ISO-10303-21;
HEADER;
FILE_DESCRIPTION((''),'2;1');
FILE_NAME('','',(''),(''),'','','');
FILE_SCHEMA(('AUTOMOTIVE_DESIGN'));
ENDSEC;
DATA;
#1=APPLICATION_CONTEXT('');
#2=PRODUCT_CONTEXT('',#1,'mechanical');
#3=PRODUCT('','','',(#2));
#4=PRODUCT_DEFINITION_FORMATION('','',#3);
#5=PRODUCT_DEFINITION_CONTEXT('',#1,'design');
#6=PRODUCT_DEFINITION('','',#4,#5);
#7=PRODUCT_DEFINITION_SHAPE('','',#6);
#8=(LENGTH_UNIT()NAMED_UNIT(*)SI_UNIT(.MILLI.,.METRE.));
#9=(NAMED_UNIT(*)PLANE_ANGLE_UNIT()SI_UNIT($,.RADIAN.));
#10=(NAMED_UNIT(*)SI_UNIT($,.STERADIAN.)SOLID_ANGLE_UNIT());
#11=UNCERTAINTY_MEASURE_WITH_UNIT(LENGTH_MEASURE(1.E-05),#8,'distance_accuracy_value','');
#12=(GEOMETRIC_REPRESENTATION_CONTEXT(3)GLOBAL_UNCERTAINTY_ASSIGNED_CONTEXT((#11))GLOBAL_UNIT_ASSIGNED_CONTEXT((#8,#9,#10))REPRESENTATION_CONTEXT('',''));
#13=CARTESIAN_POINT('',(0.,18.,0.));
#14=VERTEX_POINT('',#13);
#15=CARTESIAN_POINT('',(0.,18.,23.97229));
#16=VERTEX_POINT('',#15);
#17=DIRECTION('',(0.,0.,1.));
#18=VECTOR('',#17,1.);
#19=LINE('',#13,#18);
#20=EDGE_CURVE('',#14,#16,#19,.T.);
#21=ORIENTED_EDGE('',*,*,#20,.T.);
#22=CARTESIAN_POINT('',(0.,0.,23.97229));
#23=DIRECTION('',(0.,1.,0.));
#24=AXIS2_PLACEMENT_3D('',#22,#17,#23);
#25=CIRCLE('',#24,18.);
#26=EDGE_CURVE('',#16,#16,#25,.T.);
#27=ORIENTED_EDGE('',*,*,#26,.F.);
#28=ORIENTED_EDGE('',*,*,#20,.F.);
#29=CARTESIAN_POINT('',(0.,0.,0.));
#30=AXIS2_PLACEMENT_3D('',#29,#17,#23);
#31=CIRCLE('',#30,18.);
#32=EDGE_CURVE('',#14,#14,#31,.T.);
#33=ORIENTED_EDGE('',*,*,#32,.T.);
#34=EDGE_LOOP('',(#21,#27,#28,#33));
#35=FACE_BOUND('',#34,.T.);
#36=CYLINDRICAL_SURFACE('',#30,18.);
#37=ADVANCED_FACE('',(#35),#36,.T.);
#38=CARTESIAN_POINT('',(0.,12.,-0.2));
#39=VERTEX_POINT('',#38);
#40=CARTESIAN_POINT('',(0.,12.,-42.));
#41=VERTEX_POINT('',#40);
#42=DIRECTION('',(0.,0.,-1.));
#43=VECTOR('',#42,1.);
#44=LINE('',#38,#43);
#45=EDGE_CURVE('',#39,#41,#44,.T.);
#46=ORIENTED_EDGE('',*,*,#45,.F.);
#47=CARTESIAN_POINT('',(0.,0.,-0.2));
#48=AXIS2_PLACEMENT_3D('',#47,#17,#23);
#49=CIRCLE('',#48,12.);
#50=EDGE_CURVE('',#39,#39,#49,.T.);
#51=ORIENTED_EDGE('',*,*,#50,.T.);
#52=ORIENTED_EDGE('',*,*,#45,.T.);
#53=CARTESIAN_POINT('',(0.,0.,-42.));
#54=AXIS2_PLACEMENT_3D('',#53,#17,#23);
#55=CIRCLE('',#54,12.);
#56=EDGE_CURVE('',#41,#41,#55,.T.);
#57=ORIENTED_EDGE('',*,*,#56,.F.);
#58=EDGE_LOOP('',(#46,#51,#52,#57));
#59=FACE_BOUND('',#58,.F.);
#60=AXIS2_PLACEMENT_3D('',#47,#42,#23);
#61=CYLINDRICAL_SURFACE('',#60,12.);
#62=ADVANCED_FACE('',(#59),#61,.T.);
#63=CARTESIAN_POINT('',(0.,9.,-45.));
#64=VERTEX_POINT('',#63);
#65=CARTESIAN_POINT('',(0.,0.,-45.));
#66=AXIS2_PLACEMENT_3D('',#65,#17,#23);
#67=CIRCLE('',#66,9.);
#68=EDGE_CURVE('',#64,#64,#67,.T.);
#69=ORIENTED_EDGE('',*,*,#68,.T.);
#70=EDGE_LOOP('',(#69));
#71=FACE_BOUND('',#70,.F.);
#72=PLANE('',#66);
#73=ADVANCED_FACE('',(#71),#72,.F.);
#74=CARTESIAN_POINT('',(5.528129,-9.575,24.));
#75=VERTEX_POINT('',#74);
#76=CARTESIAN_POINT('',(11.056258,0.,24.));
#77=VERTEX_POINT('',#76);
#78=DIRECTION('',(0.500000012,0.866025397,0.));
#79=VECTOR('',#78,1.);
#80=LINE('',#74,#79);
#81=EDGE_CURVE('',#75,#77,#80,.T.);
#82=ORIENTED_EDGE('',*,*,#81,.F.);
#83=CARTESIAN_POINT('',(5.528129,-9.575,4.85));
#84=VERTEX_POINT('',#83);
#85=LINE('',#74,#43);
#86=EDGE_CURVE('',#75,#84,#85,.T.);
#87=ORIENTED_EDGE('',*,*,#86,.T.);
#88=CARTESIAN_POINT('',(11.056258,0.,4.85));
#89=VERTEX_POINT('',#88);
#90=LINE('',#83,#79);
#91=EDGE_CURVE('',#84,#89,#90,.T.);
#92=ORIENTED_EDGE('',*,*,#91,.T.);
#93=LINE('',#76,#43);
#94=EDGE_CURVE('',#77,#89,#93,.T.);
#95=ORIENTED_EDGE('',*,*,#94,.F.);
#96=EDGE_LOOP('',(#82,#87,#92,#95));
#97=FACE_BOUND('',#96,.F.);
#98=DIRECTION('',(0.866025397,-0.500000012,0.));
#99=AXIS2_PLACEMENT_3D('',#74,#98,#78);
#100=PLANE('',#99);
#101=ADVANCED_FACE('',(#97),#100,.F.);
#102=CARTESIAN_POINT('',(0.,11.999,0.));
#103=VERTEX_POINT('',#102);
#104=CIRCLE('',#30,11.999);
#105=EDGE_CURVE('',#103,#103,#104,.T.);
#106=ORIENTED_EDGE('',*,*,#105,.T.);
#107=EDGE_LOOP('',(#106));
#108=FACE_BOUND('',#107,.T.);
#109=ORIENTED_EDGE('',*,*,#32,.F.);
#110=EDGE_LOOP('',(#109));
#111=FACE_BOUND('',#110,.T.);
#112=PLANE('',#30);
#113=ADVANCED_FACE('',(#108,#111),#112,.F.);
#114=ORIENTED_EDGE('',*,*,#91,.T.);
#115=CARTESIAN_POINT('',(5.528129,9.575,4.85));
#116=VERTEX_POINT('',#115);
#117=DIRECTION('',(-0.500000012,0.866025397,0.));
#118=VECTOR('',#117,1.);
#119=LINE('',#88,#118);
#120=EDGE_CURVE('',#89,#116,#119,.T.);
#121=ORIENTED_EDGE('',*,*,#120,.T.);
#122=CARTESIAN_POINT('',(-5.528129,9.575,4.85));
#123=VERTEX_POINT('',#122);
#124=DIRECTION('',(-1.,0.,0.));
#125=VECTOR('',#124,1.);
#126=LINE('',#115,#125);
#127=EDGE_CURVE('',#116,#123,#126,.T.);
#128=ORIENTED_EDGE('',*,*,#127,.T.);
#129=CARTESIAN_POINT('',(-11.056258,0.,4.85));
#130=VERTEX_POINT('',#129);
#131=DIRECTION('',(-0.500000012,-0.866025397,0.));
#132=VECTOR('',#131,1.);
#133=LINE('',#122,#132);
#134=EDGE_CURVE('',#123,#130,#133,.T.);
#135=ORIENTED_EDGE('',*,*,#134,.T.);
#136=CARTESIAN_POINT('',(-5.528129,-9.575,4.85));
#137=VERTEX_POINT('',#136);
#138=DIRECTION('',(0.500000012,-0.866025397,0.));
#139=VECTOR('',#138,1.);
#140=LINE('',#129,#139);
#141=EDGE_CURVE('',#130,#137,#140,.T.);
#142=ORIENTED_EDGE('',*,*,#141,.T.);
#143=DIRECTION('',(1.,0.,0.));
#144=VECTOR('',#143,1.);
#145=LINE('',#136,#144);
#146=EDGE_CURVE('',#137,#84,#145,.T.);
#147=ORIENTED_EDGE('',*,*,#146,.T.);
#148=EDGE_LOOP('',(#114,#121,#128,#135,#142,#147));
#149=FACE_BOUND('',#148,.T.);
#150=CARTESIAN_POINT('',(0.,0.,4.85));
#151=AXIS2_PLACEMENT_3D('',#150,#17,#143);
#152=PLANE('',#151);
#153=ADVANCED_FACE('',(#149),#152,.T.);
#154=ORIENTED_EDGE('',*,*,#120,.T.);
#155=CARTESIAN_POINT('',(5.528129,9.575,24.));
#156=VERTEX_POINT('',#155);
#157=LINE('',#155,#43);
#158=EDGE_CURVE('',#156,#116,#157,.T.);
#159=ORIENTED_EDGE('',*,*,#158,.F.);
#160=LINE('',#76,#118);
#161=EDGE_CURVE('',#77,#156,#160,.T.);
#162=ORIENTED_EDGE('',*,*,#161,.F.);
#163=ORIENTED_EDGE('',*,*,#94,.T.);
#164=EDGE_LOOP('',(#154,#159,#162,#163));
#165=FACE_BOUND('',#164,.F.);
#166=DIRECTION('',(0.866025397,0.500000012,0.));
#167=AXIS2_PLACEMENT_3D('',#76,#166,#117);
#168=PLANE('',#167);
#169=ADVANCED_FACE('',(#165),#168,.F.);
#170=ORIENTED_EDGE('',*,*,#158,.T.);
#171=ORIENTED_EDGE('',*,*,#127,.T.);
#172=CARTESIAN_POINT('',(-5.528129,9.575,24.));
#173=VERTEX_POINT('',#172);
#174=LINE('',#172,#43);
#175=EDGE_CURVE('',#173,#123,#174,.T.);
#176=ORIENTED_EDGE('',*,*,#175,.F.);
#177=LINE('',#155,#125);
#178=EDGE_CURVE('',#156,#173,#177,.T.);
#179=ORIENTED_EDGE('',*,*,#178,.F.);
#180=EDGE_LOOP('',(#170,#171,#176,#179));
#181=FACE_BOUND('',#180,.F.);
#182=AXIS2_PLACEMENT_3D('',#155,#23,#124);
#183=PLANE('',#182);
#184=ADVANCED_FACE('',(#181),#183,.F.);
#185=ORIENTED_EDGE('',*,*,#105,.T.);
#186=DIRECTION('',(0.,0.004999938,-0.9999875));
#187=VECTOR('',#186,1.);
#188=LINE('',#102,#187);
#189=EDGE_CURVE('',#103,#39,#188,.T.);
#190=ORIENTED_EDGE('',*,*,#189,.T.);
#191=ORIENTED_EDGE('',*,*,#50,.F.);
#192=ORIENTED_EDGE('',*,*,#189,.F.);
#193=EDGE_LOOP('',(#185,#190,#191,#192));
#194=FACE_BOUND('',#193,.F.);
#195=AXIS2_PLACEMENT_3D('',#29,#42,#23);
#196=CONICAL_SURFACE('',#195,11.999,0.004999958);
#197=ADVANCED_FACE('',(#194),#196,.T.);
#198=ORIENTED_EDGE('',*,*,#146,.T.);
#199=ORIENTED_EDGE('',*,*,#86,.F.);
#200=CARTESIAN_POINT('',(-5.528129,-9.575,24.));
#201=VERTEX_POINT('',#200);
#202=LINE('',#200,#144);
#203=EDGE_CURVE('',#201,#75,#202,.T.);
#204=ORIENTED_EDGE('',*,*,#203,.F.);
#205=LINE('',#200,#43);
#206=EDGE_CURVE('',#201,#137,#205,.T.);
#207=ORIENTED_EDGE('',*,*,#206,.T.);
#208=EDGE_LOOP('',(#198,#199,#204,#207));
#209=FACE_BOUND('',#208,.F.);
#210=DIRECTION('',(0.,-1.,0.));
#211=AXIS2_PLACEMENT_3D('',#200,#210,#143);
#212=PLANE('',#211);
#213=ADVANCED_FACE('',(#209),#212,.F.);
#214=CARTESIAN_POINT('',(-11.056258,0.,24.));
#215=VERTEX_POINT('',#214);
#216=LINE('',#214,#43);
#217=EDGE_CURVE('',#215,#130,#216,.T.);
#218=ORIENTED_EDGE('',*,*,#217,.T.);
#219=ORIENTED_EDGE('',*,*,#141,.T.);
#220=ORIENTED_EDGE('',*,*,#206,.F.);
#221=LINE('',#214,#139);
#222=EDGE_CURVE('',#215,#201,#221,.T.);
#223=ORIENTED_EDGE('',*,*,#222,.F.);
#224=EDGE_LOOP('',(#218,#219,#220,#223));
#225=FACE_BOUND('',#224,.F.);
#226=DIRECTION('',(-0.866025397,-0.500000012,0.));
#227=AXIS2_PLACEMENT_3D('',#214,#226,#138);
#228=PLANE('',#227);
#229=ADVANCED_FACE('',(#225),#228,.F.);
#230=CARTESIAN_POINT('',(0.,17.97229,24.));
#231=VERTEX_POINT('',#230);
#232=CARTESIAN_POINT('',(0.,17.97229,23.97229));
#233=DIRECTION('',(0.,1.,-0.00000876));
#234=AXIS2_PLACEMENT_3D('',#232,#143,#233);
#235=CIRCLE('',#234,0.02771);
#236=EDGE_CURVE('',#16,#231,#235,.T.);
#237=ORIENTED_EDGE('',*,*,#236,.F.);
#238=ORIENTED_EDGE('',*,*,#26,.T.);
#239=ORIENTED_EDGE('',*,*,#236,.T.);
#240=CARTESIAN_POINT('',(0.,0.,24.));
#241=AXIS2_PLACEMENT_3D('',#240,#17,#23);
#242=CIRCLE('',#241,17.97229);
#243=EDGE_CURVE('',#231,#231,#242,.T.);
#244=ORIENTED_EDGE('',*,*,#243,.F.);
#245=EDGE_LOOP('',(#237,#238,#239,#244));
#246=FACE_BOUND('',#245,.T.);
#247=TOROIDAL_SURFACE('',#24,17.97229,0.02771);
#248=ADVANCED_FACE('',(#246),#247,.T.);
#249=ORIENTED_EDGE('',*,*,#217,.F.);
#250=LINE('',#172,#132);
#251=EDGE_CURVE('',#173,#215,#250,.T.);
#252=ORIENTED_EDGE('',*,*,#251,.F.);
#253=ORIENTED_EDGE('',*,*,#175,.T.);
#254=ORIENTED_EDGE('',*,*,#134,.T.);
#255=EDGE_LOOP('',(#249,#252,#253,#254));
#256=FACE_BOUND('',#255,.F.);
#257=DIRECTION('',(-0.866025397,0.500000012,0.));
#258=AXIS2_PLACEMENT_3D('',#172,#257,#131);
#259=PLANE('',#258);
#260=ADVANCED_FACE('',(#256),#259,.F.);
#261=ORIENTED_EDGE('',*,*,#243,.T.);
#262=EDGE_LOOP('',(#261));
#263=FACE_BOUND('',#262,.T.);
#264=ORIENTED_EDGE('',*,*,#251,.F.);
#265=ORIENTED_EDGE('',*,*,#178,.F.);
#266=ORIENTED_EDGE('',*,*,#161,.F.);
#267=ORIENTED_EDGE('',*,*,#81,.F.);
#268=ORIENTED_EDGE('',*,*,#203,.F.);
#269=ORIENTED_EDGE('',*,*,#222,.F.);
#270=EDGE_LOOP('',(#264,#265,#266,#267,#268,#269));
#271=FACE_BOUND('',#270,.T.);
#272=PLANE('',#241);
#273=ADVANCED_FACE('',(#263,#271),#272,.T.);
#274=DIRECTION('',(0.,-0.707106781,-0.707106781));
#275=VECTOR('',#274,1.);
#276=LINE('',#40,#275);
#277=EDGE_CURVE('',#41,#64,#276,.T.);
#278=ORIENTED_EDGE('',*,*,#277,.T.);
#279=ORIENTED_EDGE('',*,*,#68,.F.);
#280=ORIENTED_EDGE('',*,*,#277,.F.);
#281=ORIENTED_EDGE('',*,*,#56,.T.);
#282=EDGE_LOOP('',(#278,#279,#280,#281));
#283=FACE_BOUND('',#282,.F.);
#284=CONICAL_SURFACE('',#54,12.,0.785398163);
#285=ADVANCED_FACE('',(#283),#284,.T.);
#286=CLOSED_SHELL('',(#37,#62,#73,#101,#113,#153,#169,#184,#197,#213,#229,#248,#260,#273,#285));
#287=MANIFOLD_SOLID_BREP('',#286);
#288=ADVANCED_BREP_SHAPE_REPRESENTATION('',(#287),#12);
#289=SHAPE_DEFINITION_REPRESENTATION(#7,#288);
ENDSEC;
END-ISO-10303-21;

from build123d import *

# Parameters (mm, degrees)
POCKET_DEPTH = 19.15


with BuildPart() as part:
    # Sketch → Revolve (revolve)
    with BuildSketch(Plane.YZ):
        with BuildLine():
            Line((11.999, 0), (18, 0))
            Line((18, 0), (18, 23.97229))
            ThreePointArc((18, 23.97229), (17.991884, 23.991884), (17.97229, 24))
            Line((17.97229, 24), (0, 24))
            Line((0, -45), (0, 24))
            Line((9, -45), (0, -45))
            Line((12, -42), (9, -45))
            Line((12, -0.2), (12, -42))
            Line((11.999, 0), (12, -0.2))
        make_face()
    revolve(axis=Axis((0, 0, 0), (0, 0, 1)))

    # Sketch001 → Pocket (cut)
    with BuildSketch(Plane.XY.offset(24)):
        Polygon((11.056258, 0), (5.528129, 9.575), (-5.528129, 9.575), (-11.056258, 0), (-5.528129, -9.575), (5.528129, -9.575), align=None)
    extrude(amount=-POCKET_DEPTH, mode=Mode.SUBTRACT)


solid = part.part
